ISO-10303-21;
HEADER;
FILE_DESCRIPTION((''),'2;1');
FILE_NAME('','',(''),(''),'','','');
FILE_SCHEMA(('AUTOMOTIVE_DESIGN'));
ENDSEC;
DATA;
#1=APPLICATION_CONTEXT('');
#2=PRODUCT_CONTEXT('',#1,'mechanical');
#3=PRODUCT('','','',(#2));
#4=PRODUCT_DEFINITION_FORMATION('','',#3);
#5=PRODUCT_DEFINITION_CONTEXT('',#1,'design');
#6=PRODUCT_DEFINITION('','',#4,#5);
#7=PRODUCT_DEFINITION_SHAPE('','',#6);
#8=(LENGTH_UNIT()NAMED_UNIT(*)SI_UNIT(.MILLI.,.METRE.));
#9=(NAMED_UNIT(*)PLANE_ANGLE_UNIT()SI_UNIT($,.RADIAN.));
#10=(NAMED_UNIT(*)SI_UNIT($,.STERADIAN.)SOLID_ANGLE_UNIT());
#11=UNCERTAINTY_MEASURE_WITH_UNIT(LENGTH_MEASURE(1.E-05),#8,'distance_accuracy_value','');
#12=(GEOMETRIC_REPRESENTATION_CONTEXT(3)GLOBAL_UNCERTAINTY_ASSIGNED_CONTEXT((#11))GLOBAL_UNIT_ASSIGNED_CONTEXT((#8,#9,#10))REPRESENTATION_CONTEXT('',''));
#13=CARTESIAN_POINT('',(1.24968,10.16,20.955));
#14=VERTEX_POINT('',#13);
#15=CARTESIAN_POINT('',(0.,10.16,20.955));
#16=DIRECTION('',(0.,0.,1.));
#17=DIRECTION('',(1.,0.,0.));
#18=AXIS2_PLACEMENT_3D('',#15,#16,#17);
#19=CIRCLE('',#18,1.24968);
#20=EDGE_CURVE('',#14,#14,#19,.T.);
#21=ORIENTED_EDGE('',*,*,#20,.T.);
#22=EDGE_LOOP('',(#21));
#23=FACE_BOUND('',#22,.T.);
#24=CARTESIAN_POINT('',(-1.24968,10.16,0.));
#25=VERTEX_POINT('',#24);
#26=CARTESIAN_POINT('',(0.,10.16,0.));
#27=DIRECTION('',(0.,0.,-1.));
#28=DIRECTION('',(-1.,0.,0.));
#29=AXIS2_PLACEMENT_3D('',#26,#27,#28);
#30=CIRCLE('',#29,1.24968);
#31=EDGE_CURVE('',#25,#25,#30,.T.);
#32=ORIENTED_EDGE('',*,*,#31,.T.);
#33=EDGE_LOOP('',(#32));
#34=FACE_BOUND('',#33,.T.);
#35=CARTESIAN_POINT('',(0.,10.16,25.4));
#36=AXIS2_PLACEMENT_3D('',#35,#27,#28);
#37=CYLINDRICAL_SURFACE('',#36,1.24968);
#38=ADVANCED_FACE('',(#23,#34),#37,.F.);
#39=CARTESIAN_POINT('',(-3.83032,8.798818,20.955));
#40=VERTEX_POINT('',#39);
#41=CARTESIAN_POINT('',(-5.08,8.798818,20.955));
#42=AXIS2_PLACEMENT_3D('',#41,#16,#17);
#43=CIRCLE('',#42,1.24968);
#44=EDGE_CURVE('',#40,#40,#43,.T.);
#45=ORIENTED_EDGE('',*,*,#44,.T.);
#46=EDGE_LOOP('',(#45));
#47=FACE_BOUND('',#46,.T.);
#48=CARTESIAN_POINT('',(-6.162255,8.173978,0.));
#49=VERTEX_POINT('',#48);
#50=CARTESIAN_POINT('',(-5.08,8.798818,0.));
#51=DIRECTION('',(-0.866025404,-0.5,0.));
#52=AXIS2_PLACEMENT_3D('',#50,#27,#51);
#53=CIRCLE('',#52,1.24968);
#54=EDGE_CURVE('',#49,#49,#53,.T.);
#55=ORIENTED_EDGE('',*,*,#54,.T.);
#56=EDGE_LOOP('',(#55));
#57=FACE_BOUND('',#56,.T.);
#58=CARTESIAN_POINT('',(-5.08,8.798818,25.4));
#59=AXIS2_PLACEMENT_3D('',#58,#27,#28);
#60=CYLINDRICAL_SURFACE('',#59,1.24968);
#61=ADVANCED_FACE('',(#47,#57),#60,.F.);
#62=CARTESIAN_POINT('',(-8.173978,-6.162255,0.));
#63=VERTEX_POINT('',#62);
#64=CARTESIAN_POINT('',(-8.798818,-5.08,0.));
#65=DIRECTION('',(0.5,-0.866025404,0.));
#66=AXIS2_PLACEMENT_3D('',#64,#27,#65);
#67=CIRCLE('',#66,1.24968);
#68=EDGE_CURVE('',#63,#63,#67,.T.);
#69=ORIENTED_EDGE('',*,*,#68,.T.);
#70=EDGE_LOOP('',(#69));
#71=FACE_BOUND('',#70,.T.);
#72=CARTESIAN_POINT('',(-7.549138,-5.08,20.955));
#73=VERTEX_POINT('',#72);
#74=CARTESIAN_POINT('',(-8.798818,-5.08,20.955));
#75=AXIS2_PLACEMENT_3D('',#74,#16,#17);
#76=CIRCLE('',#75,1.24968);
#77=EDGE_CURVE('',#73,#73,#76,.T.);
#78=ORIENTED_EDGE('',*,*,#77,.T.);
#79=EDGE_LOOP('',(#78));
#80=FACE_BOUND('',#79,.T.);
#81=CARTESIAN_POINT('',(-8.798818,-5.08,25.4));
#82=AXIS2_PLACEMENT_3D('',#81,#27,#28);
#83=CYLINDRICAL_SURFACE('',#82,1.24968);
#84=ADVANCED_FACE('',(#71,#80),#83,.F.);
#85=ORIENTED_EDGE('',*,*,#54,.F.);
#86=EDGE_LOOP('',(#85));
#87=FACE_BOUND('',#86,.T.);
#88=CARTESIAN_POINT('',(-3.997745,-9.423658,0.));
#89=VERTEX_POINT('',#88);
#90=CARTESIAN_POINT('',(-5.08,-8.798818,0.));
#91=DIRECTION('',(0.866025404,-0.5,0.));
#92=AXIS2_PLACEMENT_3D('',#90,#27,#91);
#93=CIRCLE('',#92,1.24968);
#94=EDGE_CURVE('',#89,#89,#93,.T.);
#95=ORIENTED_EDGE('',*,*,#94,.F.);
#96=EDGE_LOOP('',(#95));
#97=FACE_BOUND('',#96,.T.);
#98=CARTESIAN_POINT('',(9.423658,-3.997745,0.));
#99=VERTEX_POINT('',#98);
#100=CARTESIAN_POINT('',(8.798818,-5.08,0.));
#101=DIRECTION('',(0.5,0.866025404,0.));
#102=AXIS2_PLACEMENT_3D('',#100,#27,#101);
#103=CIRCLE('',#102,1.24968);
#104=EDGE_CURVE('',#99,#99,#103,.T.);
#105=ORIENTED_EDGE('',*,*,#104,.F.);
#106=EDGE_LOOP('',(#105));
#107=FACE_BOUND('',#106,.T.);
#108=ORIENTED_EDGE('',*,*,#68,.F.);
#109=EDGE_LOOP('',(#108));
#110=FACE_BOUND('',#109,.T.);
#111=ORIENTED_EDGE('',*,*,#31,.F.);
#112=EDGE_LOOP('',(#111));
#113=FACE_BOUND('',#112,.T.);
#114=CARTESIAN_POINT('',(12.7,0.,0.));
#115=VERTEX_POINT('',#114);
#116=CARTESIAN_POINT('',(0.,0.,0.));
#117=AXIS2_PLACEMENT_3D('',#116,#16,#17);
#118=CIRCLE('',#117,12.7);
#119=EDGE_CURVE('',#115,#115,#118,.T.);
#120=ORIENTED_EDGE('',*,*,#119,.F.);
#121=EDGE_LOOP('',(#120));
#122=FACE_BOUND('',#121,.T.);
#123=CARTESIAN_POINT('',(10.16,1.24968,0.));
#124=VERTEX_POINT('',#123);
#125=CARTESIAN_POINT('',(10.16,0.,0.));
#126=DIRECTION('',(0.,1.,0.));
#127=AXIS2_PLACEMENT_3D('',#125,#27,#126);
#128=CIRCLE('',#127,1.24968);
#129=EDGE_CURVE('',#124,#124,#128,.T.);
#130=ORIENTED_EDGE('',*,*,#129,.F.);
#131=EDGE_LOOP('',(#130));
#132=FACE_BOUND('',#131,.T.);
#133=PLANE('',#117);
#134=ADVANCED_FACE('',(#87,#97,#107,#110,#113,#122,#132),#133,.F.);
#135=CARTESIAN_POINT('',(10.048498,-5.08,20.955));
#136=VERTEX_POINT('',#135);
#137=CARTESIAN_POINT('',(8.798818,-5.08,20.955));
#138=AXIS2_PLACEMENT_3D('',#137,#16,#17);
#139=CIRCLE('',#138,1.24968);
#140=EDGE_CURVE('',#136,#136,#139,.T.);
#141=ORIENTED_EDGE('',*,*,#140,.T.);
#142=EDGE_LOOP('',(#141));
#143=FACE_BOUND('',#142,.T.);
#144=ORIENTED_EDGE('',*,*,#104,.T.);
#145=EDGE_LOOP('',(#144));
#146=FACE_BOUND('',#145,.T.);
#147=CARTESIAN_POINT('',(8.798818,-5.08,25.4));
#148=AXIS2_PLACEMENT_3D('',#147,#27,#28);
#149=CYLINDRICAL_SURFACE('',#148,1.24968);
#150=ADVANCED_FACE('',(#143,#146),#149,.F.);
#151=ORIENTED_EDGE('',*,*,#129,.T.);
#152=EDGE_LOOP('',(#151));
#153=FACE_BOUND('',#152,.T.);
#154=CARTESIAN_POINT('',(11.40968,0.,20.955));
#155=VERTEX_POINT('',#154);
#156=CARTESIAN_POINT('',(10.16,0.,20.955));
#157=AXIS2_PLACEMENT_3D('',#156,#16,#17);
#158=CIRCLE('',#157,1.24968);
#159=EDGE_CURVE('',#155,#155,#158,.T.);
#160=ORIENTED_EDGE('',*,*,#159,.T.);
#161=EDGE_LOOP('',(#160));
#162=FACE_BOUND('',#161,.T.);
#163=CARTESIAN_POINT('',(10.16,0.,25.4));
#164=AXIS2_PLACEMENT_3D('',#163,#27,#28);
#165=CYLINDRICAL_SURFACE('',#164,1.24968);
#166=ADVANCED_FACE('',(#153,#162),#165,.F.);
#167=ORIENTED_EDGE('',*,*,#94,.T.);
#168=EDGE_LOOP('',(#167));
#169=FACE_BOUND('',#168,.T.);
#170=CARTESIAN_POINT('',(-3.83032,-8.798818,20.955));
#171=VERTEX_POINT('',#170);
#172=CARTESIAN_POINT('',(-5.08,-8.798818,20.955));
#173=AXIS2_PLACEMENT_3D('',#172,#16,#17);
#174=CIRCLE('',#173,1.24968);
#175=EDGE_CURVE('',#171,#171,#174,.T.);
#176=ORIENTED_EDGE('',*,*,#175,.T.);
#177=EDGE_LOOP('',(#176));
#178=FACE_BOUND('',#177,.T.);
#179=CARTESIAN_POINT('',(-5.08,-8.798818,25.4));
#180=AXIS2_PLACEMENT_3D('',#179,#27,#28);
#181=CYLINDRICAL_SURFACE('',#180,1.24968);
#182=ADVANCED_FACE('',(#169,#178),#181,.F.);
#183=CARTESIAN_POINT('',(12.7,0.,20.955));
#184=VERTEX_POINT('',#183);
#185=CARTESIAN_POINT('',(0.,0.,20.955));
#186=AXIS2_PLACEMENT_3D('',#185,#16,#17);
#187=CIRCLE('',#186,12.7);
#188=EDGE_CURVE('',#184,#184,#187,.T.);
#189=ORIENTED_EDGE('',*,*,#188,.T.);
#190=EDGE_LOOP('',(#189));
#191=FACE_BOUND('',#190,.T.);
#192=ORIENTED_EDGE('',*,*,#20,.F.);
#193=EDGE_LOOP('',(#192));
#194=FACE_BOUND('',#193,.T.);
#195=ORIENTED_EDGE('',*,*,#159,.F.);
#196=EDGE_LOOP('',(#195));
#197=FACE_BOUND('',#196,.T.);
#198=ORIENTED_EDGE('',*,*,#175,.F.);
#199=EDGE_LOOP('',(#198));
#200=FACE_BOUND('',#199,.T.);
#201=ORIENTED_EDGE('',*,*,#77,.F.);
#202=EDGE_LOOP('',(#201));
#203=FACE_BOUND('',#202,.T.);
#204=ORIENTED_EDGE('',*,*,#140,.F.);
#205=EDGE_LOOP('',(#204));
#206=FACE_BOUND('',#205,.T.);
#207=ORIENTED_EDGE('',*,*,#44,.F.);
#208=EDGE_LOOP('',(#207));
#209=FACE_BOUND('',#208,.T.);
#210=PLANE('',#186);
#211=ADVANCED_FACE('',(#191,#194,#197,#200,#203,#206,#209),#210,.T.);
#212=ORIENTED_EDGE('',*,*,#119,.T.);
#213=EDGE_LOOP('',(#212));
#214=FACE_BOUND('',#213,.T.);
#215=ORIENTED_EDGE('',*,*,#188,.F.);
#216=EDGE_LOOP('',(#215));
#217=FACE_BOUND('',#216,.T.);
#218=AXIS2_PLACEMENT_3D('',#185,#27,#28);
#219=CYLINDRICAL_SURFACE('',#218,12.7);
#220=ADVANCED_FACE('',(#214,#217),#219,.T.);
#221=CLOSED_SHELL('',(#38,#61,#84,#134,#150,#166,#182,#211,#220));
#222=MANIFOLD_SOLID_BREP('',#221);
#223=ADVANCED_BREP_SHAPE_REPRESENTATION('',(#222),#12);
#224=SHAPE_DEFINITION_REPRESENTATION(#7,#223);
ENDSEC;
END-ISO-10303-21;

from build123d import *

# Parameters (mm, degrees)
SKETCH1_R                   = 12.7
BOSS_EXTRUDE1_DEPTH         = 20.955
SKETCH2_R                   = 1.24968
CUT_EXTRUDE1_DEPTH          = 25.4
CIRPATTERN1_COUNT           = 3
CIRPATTERN2_COUNT           = 2
CIRPATTERN2_ANGLE           = 30
CIRPATTERN2_COPY_1_SKETCH_R = 1.24968
CIRPATTERN2_COPY_1_DEPTH    = 25.4
CIRPATTERN2_COPY_2_SKETCH_R = 1.24968
CIRPATTERN2_COPY_2_DEPTH    = 25.4


with BuildPart() as part:
    # Sketch1 → Boss-Extrude1 (new body)
    with BuildSketch(Plane.XY):
        Circle(SKETCH1_R)
    extrude(amount=BOSS_EXTRUDE1_DEPTH)

    # Sketch2 → Cut-Extrude1 (cut)
    with BuildSketch(Plane(origin=(0, 0, 0), x_dir=(-1, 0, 0), z_dir=(0, 0, -1))):
        with Locations((0, 10.16)):
            Circle(SKETCH2_R)
    cut_extrude1 = extrude(amount=-CUT_EXTRUDE1_DEPTH, mode=Mode.SUBTRACT)

    # CirPattern1: Cut-Extrude1 ×3 about axis
    cirpattern1_axis = Axis((0, 0, 0), (0, 0, 1))
    for i in range(1, CIRPATTERN1_COUNT):
        add(cut_extrude1.rotate(cirpattern1_axis, i * 360 / CIRPATTERN1_COUNT), mode=Mode.SUBTRACT)

    # CirPattern2: Cut-Extrude1 ×2 about axis
    cirpattern2_axis = Axis((0, 0, 0), (0, 0, 1))
    for i in range(1, CIRPATTERN2_COUNT):
        add(cut_extrude1.rotate(cirpattern2_axis, i * CIRPATTERN2_ANGLE / (CIRPATTERN2_COUNT - 1)), mode=Mode.SUBTRACT)

    # CirPattern2 copy 1 sketch → CirPattern2 copy 1 (cut)
    with BuildSketch(Plane(origin=(0, 0, 0), x_dir=(0.8660254037844392, -0.4999999999999991, 0), z_dir=(0, 0, -1))):
        with Locations((0, 10.16)):
            Circle(CIRPATTERN2_COPY_1_SKETCH_R)
    extrude(amount=-CIRPATTERN2_COPY_1_DEPTH, mode=Mode.SUBTRACT)

    # CirPattern2 copy 2 sketch → CirPattern2 copy 2 (cut)
    with BuildSketch(Plane.YX):
        with Locations((0, 10.16)):
            Circle(CIRPATTERN2_COPY_2_SKETCH_R)
    extrude(amount=-CIRPATTERN2_COPY_2_DEPTH, mode=Mode.SUBTRACT)


solid = part.part
